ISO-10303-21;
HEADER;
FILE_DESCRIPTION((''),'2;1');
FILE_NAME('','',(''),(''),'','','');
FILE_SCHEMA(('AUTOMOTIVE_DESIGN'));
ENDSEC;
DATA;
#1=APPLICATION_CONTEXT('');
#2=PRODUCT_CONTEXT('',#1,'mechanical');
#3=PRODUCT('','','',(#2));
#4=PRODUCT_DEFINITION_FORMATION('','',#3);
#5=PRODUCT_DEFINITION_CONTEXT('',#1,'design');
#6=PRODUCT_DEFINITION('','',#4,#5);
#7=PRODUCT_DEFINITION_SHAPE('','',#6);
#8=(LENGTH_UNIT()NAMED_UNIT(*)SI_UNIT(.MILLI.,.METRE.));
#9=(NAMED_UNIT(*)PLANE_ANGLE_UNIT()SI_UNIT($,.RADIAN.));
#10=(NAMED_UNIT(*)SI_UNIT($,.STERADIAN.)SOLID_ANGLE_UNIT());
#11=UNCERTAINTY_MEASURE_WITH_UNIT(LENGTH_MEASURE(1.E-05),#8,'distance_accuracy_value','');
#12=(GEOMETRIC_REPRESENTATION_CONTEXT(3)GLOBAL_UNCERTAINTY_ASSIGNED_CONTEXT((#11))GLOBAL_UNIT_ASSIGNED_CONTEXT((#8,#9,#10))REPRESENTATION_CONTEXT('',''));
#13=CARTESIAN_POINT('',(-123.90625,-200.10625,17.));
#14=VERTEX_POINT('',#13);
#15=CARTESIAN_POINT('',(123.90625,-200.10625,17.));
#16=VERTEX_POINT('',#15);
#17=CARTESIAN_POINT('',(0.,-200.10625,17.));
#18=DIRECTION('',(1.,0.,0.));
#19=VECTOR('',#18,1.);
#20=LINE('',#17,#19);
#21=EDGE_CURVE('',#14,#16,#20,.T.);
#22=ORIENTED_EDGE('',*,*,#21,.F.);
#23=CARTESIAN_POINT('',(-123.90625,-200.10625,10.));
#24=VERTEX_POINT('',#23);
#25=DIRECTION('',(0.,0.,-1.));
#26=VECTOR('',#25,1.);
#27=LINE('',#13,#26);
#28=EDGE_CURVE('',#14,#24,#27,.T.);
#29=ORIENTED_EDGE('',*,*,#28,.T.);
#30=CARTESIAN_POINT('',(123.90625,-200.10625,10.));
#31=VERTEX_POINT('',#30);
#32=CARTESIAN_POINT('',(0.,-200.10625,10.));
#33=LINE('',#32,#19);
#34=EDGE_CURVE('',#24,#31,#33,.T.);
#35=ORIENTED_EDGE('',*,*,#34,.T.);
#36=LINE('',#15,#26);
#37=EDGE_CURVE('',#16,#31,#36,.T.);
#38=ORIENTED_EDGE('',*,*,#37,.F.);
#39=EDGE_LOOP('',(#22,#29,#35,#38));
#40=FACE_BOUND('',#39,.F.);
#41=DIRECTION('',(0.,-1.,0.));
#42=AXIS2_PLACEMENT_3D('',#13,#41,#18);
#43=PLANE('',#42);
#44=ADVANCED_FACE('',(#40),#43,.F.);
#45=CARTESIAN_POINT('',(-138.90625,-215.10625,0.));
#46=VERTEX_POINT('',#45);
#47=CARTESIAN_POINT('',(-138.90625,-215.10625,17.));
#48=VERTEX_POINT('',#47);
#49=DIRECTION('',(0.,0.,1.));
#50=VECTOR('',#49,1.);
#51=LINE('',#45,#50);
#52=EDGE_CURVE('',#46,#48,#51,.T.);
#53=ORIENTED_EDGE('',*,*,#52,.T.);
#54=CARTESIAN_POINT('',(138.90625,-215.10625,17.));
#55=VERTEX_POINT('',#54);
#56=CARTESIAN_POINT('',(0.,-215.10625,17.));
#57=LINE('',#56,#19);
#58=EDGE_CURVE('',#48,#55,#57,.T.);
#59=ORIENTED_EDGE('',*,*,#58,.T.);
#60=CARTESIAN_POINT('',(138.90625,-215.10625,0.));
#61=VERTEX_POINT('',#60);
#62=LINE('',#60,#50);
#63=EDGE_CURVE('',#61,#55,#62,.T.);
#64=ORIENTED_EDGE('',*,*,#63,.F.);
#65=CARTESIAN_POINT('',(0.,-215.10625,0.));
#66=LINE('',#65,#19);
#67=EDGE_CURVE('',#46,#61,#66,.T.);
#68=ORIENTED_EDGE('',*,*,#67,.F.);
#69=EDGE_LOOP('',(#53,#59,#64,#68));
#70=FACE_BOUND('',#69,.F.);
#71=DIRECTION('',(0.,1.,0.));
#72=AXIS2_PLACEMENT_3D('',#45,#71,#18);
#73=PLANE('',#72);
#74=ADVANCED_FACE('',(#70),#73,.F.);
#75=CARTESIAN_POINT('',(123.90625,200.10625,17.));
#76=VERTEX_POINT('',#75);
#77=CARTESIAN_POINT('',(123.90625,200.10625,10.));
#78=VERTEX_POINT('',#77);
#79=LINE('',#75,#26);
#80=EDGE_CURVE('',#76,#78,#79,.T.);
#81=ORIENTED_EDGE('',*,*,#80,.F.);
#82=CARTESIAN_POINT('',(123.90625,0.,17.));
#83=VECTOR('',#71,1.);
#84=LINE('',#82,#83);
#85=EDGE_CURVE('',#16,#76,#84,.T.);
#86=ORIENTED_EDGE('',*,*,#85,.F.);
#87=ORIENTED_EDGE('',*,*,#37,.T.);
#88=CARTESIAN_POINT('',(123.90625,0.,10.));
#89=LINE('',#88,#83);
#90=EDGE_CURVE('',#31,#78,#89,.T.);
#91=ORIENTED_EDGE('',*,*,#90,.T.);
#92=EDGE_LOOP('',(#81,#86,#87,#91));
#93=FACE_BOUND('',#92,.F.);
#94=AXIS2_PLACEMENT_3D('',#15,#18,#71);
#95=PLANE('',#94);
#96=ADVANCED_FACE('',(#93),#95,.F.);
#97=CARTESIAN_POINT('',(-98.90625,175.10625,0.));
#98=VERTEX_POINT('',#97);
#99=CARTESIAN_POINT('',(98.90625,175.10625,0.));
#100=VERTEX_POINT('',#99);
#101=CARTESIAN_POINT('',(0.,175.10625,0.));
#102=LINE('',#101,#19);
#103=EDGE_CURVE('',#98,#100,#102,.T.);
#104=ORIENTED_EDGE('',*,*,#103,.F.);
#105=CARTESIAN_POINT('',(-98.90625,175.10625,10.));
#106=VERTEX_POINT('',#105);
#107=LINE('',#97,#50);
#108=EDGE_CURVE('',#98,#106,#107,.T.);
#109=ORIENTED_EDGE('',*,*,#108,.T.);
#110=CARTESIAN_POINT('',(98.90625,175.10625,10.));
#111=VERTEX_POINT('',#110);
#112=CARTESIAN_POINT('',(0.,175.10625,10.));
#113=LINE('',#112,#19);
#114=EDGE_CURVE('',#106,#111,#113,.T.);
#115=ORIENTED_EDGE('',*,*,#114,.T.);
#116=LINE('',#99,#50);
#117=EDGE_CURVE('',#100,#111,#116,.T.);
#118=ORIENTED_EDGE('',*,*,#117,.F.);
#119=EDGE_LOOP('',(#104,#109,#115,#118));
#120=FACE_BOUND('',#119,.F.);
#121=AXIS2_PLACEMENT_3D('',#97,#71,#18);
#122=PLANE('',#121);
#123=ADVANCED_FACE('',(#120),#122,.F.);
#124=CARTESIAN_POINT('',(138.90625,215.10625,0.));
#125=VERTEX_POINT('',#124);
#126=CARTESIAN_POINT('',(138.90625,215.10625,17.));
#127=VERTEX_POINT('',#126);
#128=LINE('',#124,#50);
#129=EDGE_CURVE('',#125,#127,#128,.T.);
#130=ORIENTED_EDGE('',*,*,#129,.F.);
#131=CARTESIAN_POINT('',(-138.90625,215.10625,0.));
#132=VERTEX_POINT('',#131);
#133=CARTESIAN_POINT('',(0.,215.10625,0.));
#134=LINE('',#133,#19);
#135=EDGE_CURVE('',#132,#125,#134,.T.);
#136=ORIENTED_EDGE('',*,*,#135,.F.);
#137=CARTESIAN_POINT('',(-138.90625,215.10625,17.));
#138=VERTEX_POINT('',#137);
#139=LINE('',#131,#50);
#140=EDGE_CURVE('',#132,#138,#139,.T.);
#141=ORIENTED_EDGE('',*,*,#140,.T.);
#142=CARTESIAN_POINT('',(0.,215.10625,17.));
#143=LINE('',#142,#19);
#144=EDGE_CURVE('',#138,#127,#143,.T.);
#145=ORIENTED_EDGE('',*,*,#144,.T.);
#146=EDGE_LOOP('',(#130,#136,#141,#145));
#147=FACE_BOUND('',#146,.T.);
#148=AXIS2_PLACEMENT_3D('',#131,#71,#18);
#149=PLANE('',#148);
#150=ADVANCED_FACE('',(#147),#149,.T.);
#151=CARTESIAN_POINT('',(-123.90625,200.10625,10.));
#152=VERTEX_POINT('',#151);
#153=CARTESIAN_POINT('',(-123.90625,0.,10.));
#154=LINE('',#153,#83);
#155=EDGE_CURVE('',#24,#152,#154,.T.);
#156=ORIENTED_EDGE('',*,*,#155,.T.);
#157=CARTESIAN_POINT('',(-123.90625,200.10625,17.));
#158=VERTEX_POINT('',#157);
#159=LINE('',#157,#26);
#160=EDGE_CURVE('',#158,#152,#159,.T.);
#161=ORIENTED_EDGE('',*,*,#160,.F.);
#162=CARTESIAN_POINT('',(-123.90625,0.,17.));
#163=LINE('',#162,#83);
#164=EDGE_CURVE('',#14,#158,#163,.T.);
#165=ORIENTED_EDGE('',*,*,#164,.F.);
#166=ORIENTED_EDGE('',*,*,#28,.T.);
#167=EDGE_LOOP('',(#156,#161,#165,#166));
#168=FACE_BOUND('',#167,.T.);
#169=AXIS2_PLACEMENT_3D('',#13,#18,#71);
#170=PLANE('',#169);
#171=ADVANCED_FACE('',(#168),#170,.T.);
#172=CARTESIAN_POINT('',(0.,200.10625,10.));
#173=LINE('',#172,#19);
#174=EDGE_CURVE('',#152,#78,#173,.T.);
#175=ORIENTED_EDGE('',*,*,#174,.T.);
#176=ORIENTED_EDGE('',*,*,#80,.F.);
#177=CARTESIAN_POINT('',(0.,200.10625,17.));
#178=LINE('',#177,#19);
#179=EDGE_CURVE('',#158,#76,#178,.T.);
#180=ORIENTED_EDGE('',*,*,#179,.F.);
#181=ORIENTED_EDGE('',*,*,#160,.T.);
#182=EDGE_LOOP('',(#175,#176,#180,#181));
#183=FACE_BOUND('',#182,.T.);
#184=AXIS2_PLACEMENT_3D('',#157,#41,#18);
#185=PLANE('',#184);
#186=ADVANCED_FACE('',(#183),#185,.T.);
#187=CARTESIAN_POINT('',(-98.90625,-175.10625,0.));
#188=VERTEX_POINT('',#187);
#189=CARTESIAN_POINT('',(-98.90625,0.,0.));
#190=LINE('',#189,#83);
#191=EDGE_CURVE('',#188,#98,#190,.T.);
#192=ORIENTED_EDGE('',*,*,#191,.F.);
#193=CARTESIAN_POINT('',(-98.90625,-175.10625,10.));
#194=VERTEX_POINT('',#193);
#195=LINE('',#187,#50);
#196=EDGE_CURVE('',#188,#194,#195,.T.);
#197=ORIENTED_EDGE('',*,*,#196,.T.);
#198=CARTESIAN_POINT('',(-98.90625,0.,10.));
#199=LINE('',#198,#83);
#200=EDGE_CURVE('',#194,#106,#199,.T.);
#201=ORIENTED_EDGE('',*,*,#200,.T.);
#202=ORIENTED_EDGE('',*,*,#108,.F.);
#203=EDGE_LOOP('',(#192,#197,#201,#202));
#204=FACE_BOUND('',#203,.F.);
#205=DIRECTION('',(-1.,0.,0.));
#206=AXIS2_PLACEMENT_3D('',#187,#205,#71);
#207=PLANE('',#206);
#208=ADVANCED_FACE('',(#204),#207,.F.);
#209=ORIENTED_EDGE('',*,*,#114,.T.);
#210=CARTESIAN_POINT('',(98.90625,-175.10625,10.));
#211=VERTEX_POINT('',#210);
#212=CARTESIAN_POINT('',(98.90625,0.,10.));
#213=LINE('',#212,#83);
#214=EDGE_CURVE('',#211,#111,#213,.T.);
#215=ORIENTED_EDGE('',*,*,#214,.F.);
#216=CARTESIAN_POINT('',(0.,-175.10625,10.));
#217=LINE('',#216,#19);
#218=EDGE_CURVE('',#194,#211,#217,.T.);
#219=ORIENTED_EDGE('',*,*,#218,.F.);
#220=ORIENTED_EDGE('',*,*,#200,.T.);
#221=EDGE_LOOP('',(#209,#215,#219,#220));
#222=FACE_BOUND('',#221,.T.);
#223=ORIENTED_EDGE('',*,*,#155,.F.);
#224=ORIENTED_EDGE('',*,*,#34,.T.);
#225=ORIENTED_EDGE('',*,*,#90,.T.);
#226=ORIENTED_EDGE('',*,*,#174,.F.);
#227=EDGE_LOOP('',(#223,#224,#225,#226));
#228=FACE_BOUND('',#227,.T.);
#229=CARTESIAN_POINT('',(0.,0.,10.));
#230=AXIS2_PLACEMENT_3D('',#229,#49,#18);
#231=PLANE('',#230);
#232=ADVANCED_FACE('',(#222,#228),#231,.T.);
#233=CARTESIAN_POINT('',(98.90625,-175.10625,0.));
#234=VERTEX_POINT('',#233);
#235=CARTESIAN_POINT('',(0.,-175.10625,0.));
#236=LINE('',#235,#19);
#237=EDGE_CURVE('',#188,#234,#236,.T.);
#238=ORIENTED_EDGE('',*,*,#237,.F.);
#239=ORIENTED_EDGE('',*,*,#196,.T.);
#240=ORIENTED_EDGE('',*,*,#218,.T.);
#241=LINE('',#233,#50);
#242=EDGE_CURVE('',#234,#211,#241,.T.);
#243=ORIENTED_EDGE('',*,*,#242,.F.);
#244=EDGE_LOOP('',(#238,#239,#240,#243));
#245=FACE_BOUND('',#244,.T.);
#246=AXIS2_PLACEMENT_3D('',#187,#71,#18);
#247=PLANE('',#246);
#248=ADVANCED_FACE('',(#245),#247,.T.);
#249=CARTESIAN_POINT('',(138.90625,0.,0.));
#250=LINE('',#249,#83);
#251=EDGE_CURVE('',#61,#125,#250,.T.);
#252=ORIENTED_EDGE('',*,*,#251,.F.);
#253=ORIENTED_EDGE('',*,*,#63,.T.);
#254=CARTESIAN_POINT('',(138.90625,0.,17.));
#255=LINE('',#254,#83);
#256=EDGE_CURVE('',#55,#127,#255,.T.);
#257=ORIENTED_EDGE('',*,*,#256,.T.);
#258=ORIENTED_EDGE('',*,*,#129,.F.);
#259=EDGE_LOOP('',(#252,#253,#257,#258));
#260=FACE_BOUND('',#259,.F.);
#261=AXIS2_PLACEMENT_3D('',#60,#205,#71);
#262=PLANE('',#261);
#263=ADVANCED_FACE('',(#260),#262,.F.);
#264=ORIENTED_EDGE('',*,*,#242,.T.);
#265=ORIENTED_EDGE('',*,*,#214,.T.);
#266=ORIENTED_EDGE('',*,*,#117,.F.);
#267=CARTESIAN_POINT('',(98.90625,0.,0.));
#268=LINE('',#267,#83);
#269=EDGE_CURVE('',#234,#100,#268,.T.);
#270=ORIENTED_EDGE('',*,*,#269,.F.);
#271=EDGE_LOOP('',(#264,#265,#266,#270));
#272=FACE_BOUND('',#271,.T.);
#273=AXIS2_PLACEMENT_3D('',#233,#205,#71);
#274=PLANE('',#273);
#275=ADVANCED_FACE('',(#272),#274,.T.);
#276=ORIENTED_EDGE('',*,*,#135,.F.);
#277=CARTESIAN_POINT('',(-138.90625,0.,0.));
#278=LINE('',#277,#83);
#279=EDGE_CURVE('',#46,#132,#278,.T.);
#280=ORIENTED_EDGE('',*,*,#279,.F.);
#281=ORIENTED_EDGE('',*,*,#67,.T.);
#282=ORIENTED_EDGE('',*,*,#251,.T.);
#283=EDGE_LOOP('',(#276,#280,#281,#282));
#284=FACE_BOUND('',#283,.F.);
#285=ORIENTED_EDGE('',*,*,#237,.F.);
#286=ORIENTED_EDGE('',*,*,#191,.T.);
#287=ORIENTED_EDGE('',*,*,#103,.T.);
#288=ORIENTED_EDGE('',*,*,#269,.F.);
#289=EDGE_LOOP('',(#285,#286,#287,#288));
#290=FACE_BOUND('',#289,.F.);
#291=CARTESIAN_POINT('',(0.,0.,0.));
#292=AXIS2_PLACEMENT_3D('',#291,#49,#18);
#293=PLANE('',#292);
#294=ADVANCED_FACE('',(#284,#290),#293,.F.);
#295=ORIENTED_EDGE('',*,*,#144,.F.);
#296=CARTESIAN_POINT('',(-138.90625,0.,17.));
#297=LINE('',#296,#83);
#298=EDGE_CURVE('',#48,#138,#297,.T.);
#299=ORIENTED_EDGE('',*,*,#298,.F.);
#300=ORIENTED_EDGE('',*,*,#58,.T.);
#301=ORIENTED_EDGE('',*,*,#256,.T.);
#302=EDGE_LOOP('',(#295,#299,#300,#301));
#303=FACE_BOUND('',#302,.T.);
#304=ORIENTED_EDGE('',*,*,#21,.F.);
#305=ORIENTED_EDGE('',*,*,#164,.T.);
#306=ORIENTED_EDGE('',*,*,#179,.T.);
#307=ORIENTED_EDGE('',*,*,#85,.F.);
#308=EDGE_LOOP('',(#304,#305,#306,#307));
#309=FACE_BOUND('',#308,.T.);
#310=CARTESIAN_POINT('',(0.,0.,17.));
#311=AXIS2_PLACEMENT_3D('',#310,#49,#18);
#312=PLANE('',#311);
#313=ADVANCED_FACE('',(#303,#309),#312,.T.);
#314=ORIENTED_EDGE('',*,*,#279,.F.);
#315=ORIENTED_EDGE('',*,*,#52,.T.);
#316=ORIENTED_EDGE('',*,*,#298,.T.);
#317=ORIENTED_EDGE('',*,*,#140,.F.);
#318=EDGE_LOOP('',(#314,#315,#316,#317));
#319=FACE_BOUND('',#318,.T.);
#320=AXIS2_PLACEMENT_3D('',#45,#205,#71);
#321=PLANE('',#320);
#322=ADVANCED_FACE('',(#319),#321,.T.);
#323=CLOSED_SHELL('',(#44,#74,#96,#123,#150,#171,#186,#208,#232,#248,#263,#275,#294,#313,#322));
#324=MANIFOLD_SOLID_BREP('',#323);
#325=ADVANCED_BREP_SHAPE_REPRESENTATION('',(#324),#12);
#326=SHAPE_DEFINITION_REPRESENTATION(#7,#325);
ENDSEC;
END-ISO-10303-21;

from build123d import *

# Parameters (mm, degrees)
F0_W     = 277.8125
F0_H     = 430.2125
F0_W_2   = 197.8125
F0_H_2   = 350.2125
F1_DEPTH = 17
F2_W     = 247.8125
F2_H     = 400.2125
F2_W_2   = 197.8125
F2_H_2   = 350.2125
F3_DEPTH = 7


with BuildPart() as f1:
    # F0 (on Top) → F1 (new body)
    with BuildSketch(Plane.XY):
        Rectangle(F0_W, F0_H)
        Rectangle(F0_W_2, F0_H_2, mode=Mode.SUBTRACT)
    extrude(amount=F1_DEPTH)

    # F2 (on face) → F3 (cut)
    with BuildSketch(Plane.XY.offset(17)):
        Rectangle(F2_W, F2_H)
        Rectangle(F2_W_2, F2_H_2, mode=Mode.SUBTRACT)
    extrude(amount=-F3_DEPTH, mode=Mode.SUBTRACT)


solid = f1.part
